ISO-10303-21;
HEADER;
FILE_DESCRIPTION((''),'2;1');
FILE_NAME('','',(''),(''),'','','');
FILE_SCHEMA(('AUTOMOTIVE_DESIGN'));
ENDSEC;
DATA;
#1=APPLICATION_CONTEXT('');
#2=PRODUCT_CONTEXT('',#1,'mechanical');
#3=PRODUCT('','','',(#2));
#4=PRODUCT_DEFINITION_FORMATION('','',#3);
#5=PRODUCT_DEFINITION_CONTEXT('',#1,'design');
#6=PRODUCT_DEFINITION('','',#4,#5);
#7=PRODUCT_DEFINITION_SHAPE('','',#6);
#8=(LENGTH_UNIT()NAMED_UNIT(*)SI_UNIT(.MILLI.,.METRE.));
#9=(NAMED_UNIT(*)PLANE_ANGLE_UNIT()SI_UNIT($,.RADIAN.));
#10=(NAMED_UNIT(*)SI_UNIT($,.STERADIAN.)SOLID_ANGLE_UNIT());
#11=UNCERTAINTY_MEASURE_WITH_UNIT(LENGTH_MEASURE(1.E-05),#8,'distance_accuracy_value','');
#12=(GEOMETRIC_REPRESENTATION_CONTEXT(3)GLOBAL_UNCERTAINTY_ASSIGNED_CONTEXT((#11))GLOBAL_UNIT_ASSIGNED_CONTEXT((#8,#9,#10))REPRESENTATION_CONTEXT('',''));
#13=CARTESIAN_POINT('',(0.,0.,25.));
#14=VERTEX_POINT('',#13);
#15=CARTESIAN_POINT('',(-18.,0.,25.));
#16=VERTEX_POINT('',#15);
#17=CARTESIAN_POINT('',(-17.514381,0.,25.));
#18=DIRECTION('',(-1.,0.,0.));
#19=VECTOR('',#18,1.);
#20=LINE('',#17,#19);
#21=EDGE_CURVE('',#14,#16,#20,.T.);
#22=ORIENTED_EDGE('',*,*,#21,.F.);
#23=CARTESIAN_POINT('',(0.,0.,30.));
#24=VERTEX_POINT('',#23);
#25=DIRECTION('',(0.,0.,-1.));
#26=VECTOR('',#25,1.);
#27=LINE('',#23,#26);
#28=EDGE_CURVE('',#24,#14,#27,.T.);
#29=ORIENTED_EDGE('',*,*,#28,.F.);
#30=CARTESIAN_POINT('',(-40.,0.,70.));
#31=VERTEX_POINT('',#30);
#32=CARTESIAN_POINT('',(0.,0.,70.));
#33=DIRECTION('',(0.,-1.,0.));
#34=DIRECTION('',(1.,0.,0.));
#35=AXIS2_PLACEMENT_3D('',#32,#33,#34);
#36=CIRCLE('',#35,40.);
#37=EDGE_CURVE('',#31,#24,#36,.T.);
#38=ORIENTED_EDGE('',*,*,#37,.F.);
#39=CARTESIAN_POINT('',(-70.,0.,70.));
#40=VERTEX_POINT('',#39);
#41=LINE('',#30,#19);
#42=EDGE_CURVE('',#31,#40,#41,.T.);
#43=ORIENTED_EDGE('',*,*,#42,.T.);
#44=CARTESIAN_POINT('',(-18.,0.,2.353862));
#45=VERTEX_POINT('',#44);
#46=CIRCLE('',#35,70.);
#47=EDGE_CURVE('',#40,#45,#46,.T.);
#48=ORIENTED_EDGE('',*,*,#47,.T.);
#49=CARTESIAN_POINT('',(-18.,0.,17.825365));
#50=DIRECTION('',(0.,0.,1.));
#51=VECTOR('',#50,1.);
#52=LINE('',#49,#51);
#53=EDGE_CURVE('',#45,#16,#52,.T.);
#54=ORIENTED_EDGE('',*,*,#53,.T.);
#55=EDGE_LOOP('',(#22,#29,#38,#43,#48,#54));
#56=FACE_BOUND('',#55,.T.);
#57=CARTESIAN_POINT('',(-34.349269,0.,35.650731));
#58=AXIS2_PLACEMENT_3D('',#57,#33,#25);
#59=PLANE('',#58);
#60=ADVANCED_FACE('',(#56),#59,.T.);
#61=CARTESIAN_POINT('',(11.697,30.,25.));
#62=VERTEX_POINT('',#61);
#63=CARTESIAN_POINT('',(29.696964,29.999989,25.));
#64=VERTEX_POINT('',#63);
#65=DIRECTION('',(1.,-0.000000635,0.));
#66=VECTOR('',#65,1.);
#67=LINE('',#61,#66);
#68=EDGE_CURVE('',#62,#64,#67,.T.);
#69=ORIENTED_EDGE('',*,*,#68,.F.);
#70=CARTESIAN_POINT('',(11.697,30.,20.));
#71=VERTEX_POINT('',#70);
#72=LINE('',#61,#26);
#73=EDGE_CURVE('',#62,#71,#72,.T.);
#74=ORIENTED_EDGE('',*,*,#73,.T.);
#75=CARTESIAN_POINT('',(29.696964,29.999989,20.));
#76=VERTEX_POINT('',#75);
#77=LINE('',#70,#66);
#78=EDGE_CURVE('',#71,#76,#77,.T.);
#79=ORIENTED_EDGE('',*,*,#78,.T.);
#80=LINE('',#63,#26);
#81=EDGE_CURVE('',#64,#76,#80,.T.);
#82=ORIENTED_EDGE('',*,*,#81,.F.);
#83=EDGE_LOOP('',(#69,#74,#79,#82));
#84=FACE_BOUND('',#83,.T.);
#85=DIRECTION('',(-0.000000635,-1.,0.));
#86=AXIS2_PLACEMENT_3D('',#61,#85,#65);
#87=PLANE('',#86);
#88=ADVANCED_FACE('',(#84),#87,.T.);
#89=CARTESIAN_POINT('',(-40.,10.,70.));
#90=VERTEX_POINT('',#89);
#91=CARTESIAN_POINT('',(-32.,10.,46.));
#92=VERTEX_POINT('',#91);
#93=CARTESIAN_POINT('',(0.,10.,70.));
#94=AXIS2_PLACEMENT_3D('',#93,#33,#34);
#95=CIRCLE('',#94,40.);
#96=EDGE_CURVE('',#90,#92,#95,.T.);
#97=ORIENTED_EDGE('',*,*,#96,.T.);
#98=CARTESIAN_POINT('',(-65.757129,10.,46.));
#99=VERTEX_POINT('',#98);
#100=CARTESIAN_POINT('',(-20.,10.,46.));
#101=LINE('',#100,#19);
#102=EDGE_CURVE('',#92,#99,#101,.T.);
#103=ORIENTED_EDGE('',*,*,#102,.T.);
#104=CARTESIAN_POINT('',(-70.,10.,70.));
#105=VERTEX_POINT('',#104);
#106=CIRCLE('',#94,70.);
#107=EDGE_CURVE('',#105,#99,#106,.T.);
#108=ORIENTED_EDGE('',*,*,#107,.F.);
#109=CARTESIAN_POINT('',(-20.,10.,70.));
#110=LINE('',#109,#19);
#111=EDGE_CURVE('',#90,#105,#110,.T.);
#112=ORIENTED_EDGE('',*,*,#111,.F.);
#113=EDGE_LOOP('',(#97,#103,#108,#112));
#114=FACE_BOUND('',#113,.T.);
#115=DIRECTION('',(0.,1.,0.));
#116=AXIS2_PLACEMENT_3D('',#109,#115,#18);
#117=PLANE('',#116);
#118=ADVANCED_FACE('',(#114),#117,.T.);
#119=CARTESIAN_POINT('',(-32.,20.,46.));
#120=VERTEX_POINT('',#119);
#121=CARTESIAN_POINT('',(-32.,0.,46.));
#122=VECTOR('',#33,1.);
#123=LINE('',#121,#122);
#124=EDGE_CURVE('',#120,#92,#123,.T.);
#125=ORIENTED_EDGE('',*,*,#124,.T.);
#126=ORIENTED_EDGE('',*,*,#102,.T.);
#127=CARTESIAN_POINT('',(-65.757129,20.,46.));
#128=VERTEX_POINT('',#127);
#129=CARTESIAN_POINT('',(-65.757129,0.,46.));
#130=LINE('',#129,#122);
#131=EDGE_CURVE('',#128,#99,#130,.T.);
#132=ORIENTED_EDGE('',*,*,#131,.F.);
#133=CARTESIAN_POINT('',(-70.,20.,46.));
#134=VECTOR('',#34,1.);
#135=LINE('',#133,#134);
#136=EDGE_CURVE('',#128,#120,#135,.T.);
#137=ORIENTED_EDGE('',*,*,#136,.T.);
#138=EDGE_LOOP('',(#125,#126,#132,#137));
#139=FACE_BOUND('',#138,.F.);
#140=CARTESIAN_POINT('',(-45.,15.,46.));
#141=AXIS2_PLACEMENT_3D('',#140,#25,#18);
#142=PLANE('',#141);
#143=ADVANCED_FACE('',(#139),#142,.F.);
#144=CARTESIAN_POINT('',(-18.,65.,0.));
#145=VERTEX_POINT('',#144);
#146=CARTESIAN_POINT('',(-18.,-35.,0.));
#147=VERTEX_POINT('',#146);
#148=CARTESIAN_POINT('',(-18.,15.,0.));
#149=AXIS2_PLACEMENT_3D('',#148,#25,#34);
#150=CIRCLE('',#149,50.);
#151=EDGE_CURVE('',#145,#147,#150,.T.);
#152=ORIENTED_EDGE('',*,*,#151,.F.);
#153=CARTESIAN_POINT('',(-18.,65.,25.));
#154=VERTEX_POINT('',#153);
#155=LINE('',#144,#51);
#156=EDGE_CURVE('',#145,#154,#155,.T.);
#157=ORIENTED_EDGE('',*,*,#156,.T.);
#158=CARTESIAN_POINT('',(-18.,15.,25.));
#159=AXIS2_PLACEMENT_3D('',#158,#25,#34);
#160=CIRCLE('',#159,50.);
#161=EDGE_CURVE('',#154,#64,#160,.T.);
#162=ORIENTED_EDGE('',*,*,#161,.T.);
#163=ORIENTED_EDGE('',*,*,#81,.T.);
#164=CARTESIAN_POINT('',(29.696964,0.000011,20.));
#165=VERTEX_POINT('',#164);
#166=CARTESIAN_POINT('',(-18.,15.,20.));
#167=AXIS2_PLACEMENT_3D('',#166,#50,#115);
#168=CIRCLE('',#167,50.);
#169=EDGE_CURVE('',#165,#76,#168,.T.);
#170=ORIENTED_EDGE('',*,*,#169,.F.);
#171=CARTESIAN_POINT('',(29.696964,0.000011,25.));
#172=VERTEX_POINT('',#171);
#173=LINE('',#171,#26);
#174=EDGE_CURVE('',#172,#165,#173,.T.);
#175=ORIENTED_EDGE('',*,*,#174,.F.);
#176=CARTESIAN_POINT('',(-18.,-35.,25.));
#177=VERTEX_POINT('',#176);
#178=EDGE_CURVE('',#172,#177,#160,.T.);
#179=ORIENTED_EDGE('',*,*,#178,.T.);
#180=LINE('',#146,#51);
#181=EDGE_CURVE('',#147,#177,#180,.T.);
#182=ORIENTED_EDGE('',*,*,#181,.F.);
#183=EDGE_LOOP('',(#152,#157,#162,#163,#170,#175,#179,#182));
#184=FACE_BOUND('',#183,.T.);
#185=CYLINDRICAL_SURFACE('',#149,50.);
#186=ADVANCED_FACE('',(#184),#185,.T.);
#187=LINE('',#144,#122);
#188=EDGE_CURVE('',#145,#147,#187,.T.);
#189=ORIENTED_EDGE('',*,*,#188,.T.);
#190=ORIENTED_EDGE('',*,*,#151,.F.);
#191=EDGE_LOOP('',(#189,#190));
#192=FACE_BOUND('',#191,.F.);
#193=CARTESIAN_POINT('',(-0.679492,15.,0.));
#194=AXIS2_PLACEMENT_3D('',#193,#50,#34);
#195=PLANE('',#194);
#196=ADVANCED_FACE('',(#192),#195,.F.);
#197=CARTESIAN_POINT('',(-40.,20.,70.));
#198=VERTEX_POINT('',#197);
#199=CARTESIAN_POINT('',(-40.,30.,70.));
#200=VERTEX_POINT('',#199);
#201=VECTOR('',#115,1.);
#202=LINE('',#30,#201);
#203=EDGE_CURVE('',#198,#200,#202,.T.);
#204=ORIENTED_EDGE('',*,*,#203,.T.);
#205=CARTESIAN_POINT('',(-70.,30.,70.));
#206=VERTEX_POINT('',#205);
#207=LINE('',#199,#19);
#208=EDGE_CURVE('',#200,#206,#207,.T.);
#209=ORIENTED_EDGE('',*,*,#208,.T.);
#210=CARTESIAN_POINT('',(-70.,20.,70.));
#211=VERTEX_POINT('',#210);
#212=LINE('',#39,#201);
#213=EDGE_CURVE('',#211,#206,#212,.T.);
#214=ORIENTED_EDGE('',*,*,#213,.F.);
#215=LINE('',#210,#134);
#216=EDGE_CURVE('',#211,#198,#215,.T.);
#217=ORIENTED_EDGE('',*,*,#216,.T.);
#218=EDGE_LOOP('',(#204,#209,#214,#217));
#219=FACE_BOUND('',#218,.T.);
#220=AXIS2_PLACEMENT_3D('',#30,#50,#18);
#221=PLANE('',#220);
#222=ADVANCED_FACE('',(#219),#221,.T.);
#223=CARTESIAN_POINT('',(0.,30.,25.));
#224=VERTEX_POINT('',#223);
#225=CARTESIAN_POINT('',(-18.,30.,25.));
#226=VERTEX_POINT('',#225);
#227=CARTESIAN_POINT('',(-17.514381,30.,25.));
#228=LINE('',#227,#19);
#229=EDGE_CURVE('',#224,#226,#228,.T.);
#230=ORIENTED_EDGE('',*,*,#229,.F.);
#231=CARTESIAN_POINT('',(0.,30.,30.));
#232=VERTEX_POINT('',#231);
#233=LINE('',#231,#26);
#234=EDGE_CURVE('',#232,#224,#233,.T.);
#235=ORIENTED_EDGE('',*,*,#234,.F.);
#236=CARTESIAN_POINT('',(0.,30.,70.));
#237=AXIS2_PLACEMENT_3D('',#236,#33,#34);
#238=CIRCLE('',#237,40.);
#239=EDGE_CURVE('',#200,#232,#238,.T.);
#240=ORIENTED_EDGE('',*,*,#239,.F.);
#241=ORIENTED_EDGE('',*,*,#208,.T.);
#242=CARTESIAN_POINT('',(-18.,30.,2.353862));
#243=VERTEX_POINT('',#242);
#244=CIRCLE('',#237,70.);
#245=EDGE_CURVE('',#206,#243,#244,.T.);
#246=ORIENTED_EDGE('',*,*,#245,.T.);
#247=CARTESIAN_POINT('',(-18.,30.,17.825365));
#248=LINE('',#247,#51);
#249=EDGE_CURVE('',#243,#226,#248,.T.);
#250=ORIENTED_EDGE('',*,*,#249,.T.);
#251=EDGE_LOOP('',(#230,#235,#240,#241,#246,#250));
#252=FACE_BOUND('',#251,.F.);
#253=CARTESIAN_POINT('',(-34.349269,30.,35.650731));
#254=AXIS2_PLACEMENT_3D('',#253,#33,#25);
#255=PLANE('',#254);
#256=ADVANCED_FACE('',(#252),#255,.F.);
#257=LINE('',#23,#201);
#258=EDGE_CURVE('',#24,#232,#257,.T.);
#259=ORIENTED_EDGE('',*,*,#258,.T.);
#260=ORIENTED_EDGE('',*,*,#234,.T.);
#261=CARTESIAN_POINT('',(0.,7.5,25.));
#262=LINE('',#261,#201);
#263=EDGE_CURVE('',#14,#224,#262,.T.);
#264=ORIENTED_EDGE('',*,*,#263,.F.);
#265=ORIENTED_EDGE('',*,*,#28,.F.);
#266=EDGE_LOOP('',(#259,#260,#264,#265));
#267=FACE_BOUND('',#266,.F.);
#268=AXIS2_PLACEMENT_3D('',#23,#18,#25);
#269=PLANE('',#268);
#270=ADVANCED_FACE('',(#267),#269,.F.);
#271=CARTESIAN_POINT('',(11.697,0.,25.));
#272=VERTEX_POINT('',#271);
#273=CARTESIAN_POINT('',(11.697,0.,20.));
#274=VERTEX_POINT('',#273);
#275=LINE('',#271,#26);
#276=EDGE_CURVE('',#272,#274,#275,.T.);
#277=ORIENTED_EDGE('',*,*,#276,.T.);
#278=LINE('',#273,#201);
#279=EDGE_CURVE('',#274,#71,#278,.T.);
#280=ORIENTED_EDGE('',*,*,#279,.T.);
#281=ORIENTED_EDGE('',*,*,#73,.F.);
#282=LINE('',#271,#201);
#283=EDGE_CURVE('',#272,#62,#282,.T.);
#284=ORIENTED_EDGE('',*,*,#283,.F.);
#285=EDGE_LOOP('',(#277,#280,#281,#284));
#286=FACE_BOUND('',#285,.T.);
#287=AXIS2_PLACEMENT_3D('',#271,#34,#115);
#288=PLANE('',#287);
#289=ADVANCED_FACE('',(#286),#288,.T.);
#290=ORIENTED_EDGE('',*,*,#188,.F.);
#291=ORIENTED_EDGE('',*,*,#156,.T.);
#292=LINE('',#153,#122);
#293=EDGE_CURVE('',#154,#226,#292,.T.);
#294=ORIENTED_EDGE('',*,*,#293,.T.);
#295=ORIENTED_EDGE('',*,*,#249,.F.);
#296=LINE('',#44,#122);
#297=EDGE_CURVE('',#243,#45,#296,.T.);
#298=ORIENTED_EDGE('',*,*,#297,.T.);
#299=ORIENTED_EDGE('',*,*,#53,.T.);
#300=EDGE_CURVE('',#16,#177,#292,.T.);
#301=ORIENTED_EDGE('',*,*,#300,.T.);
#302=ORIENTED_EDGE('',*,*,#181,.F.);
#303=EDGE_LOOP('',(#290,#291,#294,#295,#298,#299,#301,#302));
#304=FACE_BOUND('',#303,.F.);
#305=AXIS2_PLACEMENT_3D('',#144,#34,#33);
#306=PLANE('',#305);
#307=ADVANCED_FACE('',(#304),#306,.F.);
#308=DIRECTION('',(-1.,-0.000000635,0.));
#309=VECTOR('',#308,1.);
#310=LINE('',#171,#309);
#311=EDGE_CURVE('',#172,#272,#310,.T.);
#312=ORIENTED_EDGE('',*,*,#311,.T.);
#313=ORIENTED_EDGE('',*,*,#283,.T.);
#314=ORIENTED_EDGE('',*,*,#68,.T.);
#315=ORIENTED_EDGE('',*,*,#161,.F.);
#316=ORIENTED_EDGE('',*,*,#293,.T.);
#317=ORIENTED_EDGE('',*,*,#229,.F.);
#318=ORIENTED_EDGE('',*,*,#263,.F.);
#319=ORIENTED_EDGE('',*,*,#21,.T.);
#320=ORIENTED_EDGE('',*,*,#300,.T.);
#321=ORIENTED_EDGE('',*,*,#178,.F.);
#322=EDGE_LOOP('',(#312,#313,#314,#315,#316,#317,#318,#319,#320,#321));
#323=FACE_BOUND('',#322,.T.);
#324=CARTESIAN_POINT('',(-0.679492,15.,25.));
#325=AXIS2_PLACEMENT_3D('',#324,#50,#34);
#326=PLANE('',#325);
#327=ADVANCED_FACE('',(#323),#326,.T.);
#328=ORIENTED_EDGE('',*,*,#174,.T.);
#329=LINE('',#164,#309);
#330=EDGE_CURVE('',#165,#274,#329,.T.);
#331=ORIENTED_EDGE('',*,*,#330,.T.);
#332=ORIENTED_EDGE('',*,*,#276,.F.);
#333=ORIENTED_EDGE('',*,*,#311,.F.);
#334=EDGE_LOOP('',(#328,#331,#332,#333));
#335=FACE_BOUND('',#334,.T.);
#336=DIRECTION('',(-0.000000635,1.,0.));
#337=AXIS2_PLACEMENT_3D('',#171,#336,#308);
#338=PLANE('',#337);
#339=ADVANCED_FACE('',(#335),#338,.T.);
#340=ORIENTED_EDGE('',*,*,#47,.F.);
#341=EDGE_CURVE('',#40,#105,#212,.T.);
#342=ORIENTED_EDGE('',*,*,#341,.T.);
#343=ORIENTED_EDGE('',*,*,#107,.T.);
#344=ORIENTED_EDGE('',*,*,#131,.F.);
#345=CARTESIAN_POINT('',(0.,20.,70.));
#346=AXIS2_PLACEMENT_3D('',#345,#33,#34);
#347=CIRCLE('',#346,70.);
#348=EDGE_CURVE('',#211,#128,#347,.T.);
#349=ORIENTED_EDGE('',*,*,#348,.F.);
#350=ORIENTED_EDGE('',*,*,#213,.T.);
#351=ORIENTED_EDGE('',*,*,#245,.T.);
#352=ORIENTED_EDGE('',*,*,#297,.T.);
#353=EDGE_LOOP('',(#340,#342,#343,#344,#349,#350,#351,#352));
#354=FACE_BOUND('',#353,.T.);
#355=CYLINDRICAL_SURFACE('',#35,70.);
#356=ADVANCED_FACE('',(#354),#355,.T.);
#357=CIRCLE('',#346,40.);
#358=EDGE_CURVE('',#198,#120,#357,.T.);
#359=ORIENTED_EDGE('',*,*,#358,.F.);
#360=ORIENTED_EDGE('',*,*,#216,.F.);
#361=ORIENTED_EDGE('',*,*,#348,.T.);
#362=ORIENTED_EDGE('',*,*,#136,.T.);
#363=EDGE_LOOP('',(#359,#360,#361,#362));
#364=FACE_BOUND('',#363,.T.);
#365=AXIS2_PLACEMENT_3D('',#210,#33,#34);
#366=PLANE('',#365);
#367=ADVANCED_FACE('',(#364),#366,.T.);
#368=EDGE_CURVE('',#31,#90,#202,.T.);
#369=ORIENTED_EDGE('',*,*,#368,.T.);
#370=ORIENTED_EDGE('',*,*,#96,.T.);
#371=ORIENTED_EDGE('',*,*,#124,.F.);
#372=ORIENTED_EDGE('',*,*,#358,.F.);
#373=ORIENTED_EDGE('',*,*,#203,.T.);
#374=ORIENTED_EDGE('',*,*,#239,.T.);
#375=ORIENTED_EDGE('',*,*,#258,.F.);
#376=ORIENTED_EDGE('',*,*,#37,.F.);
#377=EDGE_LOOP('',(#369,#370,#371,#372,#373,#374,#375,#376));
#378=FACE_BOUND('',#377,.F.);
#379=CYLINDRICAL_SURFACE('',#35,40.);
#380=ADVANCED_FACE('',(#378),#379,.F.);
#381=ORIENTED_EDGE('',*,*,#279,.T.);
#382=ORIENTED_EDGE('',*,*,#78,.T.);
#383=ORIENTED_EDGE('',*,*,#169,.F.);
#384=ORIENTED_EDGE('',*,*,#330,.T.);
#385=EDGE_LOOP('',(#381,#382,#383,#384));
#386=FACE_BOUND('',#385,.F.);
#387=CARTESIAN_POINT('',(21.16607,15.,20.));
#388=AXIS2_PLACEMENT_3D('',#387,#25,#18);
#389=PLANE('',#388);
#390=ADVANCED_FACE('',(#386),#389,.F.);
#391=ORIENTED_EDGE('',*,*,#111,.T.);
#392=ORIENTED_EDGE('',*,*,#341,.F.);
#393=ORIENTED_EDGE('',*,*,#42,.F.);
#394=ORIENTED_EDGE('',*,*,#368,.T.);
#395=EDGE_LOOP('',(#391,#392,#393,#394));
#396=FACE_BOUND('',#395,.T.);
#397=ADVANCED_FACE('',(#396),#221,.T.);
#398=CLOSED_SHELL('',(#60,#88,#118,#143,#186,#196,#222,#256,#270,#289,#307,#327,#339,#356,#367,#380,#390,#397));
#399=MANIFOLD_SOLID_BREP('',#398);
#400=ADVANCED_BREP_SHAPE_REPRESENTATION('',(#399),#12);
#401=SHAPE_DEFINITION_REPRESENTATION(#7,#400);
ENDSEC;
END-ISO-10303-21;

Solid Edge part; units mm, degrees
sketch "Sketch1" plane through (0, 0, 0) normal (0, -1, 0) x (1, 0, 0)
  line L0 (-40, 70) -> (-70, 70)
  arc A0 (-70, 70) -> (0, 0) centre (0, 70) ccw
  line L1 (0, 30) -> (0, 0)
  arc A1 (-40, 70) -> (0, 30) centre (0, 70) ccw
extrude "Protrusion1" add sketch "Sketch1" against normal blind 30
sketch "Sketch2" plane through (-27.4086, 15, 70) normal (0, 0, 1) x (1, 0, 0)
  line L0 (7.4086, -5) -> (-42.5914, -5)
  line L1 (-42.5914, -5) -> (-42.5914, 5)
  line L2 (-42.5914, 5) -> (7.4086, 5)
  line L3 (7.4086, 5) -> (7.4086, -5)
extrude "ExtrudedCutout_4" cut sketch "Sketch2" against normal blind 24
sketch "Sketch3" plane through (0, 0, 0) normal (0, 0, 1) x (1, 0, 0)
  line L0 (-18, 65) -> (-18, -35)
  arc A0 (-18, 65) -> (-18, -35) centre (-18, 15) cw
extrude "ExtrudedProtrusion_2" add sketch "Sketch3" along normal blind 25
sketch "Sketch4" plane through (7, 15, 25) normal (0, 0, 1) x (0, 1, 0)
  line L0 (-15, -4.697) -> (15, -4.697)
  line L1 (15, -4.697) -> (15, -22.697)
  arc A0 (-15, -22.697) -> (15, -22.697) centre (0, 25) ccw
  line L2 (-15, -22.697) -> (-15, -4.697)
extrude "ExtrudedCutout_5" cut sketch "Sketch4" against normal blind 5
